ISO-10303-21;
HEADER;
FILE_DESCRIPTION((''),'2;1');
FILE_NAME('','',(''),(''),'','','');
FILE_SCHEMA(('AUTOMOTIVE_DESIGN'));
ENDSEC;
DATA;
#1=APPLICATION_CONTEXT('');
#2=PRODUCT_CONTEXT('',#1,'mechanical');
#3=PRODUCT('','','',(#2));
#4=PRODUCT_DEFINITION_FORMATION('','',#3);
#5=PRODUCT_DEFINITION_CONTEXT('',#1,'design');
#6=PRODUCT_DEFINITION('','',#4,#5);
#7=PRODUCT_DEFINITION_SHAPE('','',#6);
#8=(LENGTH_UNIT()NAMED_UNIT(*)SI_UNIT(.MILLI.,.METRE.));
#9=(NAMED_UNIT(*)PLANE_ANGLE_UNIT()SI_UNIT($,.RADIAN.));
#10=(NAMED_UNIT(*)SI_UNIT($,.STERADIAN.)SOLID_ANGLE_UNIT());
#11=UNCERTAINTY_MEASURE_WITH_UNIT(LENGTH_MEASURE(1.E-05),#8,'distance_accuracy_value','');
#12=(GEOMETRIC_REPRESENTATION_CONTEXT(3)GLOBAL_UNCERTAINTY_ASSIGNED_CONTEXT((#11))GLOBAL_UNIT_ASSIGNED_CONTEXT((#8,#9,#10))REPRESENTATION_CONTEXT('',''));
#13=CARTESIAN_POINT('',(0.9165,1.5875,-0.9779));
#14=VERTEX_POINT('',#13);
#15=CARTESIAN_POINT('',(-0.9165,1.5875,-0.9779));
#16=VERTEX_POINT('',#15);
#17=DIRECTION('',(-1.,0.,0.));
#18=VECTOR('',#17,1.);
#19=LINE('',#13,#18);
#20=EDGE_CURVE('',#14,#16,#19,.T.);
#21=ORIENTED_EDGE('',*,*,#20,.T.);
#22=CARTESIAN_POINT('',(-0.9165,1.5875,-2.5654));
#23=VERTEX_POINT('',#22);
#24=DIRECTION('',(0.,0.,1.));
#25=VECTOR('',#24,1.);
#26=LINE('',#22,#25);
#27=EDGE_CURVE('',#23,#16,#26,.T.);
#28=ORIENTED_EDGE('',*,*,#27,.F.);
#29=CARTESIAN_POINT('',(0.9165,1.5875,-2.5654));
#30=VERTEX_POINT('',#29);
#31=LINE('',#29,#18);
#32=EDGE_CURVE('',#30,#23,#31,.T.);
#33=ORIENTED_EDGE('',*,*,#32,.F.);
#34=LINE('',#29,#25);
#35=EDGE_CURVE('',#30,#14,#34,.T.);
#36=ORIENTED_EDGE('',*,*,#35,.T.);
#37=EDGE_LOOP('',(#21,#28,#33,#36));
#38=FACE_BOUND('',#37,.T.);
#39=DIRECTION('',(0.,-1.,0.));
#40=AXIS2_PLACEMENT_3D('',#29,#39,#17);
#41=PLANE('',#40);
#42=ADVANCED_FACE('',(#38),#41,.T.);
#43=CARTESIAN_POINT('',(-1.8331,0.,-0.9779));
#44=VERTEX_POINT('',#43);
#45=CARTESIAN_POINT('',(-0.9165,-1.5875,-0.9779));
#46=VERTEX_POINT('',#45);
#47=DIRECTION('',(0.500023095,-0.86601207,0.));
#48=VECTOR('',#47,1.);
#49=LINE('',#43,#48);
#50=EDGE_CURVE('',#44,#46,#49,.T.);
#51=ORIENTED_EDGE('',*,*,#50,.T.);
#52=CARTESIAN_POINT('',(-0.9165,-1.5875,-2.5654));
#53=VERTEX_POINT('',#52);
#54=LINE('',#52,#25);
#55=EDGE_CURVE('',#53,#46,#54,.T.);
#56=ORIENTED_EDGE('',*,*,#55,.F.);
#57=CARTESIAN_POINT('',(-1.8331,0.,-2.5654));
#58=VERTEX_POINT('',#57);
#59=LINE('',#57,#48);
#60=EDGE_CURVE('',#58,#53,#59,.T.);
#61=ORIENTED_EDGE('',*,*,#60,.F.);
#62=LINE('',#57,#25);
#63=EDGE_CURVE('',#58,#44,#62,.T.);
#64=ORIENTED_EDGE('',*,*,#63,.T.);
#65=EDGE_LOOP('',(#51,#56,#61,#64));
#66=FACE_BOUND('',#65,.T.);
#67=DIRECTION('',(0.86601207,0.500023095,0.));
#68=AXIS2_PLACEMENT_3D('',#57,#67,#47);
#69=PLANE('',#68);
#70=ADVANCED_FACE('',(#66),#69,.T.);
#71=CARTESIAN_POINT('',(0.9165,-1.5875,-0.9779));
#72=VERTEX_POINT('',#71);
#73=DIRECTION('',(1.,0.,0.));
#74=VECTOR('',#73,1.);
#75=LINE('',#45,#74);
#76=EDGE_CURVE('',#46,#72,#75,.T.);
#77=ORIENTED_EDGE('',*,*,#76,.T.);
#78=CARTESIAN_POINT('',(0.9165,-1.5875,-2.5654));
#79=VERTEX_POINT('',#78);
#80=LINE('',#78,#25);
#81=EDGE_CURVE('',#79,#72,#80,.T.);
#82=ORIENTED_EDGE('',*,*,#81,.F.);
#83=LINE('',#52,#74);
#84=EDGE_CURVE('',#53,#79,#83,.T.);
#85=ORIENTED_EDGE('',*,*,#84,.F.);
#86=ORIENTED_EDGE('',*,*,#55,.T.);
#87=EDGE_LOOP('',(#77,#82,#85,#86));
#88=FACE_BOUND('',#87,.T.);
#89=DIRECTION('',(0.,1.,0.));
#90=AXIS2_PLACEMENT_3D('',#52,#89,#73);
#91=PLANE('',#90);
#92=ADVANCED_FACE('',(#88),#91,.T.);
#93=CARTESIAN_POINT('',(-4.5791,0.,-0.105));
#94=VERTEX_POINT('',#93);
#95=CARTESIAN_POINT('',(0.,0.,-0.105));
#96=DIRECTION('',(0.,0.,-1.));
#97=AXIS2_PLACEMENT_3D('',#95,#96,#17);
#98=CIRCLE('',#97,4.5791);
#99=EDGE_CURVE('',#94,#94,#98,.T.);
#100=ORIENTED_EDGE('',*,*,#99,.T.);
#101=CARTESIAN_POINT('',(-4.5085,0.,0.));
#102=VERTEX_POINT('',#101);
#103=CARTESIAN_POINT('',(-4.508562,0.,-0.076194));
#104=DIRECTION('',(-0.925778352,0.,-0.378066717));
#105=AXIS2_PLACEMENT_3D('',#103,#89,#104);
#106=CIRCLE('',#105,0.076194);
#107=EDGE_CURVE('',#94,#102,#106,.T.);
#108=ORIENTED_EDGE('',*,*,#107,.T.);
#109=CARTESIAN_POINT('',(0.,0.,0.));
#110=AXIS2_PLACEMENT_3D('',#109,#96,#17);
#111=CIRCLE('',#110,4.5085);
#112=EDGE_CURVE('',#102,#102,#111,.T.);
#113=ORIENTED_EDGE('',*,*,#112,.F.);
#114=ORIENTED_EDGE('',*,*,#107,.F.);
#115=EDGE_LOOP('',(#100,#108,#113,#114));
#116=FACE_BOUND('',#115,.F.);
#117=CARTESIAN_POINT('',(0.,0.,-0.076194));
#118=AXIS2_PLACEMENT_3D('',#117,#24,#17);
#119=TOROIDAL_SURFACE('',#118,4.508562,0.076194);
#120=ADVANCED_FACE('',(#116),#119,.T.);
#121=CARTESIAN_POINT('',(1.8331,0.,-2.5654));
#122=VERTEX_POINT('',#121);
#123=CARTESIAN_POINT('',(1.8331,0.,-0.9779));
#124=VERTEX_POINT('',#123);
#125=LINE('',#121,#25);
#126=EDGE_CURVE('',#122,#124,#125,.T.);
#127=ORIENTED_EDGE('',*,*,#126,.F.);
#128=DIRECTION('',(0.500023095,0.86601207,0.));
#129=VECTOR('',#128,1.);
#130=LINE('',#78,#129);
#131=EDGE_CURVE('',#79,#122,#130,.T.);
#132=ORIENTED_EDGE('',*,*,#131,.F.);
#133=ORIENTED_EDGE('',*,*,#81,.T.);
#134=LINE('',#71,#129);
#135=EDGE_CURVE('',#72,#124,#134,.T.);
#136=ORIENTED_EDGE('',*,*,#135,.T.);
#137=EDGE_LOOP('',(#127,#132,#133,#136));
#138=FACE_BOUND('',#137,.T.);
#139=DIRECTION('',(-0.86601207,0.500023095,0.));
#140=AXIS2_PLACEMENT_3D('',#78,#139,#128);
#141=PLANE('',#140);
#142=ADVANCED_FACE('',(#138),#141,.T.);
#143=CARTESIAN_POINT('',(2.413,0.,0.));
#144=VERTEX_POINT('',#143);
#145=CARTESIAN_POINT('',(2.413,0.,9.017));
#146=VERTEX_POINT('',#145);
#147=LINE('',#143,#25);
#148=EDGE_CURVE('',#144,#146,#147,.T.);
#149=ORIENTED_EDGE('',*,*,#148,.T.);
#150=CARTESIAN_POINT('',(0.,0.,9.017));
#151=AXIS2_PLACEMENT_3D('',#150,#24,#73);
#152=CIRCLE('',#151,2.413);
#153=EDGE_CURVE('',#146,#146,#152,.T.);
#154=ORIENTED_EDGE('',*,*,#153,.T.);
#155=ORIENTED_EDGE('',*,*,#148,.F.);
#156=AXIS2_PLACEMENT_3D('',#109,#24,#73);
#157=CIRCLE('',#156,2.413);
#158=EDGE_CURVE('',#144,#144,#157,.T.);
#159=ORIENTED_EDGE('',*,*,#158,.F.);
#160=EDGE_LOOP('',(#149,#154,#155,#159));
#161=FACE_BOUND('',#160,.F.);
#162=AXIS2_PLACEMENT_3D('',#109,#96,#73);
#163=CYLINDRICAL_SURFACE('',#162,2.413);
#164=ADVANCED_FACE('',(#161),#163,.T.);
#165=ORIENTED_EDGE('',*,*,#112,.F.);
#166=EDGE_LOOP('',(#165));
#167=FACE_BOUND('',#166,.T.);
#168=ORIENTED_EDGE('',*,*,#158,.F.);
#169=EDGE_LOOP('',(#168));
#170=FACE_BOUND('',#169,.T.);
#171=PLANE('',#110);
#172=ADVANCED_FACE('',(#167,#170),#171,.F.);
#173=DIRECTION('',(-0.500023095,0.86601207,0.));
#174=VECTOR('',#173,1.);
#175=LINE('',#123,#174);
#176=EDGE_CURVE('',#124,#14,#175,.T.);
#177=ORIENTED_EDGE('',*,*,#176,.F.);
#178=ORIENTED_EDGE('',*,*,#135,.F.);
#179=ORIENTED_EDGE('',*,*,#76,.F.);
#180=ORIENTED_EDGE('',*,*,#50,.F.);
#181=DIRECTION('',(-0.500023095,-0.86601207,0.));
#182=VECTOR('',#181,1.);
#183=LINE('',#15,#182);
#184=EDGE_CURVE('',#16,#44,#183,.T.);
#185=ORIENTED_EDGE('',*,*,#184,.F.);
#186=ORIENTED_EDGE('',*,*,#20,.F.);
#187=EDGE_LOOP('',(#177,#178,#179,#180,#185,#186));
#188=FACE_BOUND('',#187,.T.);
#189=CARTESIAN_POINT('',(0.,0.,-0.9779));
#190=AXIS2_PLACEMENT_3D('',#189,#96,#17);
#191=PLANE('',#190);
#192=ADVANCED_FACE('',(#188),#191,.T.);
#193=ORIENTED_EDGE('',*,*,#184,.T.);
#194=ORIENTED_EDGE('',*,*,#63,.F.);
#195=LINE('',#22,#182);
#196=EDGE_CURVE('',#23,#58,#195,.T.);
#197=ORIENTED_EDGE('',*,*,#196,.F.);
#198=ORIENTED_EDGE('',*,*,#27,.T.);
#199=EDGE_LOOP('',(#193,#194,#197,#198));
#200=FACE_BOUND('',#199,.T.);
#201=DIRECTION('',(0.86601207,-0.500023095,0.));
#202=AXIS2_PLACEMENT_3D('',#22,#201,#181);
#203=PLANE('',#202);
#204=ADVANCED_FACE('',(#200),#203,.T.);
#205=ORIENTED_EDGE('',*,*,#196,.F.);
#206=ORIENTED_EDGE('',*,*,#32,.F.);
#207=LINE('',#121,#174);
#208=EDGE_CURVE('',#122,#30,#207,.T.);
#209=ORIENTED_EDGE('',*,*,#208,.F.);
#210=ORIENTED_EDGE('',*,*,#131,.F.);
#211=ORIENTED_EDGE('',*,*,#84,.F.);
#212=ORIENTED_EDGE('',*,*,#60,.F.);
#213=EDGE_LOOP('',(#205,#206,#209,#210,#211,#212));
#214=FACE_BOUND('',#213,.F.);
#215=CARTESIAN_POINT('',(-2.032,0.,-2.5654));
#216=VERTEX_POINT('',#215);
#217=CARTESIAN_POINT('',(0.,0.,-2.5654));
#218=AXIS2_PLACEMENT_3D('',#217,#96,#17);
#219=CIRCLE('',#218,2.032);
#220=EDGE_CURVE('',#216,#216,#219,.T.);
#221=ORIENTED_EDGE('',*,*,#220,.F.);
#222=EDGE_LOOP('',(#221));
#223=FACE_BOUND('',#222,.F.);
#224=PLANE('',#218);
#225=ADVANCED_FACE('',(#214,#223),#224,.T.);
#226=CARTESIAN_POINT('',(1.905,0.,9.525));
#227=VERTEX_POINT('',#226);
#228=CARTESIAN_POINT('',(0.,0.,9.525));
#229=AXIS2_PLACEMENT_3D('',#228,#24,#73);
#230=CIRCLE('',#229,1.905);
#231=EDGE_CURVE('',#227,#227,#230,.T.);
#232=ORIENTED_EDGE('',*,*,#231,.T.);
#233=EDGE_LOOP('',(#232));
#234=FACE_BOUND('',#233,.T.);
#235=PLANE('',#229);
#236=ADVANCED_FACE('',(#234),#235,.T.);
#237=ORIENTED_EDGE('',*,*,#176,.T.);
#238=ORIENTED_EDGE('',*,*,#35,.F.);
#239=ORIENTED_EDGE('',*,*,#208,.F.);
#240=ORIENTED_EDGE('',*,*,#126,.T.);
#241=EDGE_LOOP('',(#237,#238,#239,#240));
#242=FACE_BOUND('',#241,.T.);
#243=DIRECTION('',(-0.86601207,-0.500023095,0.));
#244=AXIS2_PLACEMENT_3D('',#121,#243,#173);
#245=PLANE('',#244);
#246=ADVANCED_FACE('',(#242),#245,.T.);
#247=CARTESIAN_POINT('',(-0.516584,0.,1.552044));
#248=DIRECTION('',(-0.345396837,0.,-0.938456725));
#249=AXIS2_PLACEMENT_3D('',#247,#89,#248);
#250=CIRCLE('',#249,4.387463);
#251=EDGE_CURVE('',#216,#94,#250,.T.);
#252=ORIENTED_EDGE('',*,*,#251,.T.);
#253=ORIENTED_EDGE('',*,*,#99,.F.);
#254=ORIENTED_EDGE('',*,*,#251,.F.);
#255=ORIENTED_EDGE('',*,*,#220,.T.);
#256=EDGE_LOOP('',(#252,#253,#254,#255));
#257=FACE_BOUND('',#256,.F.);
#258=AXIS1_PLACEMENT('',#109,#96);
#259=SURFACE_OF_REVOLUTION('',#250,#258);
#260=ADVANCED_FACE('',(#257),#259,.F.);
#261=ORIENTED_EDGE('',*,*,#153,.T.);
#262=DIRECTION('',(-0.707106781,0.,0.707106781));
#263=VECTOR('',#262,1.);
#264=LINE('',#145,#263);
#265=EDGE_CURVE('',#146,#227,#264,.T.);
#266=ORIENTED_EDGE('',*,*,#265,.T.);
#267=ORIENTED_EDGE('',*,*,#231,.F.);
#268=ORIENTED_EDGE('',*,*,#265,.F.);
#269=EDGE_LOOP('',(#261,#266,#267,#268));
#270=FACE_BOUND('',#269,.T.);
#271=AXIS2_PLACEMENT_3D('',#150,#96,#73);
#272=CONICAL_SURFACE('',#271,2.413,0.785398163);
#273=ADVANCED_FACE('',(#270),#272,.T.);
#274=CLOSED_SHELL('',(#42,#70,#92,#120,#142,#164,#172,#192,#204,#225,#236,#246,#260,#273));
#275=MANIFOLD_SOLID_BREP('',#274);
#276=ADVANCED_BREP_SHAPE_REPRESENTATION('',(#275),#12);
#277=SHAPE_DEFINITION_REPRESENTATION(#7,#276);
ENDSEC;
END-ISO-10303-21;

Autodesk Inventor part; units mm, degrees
ref_plane "YZ Plane" through (0, 0, 0) normal (1, 0, 0) x (0, 1, 0)
ref_plane "XZ Plane" through (0, 0, 0) normal (0, 1, 0) x (-1, 0, 0)
ref_plane "XY Plane" through (0, 0, 0) normal (0, 0, 1) x (1, 0, 0)
sketch "Sketch1" plane through (0, 0, 0) normal (0, 0, 1) x (1, 0, 0)
  circle A0 centre (0, 0) radius 2.413
  dimension "d0" = 4.826
extrude "Extrusion1" add sketch "Sketch1" along normal blind 9.525
sketch "Sketch2" plane through (0, 0, 0) normal (0, 1, 0) x (-1, 0, 0)
  line L0 (0, 0) -> (0, -2.5654)
  line L1 (0, 0) -> (4.5085, 0)
  line L2 (0, -2.5654) -> (2.032, -2.5654)
  line L3 (4.5085, 0) -> (4.5085, 4.071) construction
  arc A0 (4.5791, -0.105) -> (4.5085, 0) centre (4.5085, -0.0762) ccw
  arc A1 (2.032, -2.5654) -> (4.5791, -0.105) centre (0.5168, 1.5517) ccw
  line L4 (4.5847, 0.6553) -> (4.5847, -0.0762) construction
  dimension "d3" = 2.5654
  dimension "d6" = 2.032
  dimension "d12" = 4.5847
  dimension "d18" = 0.0762
revolve "Revolution1" add sketch "Sketch2" angle 360 about axis through (0, 0, 0) along (0, 0, -1)
sketch "Sketch3" plane through (0, 0, -2.5654) normal (0, 0, -1) x (-1, 0, 0)
  circle A0 centre (0, 0) radius 2.032 projected
  line L0 (-0.9165, 1.5875) -> (0.9165, 1.5875)
  line L1 (0.9165, 1.5875) -> (1.8331, 0)
  line L2 (1.8331, 0) -> (0.9165, -1.5875)
  line L3 (0.9165, -1.5875) -> (-0.9165, -1.5875)
  line L4 (-0.9165, -1.5875) -> (-1.8331, 0)
  line L5 (-1.8331, 0) -> (-0.9165, 1.5875)
  dimension "d8" = 3.175
extrude "Extrusion2" cut sketch "Sketch3" against normal blind 1.5875 contours L0 L1 L2 L3 L4 L5
chamfer "Chamfer1" distance 0.508 angle 45 1 edges at (-2.413, 0, 9.525)
thread "Thread1" size "10-32 UNF" class "2A" standard "ANSI Unified Screw Threads" full length
properties part number "10-32 BHCS x375" material "Steel"
